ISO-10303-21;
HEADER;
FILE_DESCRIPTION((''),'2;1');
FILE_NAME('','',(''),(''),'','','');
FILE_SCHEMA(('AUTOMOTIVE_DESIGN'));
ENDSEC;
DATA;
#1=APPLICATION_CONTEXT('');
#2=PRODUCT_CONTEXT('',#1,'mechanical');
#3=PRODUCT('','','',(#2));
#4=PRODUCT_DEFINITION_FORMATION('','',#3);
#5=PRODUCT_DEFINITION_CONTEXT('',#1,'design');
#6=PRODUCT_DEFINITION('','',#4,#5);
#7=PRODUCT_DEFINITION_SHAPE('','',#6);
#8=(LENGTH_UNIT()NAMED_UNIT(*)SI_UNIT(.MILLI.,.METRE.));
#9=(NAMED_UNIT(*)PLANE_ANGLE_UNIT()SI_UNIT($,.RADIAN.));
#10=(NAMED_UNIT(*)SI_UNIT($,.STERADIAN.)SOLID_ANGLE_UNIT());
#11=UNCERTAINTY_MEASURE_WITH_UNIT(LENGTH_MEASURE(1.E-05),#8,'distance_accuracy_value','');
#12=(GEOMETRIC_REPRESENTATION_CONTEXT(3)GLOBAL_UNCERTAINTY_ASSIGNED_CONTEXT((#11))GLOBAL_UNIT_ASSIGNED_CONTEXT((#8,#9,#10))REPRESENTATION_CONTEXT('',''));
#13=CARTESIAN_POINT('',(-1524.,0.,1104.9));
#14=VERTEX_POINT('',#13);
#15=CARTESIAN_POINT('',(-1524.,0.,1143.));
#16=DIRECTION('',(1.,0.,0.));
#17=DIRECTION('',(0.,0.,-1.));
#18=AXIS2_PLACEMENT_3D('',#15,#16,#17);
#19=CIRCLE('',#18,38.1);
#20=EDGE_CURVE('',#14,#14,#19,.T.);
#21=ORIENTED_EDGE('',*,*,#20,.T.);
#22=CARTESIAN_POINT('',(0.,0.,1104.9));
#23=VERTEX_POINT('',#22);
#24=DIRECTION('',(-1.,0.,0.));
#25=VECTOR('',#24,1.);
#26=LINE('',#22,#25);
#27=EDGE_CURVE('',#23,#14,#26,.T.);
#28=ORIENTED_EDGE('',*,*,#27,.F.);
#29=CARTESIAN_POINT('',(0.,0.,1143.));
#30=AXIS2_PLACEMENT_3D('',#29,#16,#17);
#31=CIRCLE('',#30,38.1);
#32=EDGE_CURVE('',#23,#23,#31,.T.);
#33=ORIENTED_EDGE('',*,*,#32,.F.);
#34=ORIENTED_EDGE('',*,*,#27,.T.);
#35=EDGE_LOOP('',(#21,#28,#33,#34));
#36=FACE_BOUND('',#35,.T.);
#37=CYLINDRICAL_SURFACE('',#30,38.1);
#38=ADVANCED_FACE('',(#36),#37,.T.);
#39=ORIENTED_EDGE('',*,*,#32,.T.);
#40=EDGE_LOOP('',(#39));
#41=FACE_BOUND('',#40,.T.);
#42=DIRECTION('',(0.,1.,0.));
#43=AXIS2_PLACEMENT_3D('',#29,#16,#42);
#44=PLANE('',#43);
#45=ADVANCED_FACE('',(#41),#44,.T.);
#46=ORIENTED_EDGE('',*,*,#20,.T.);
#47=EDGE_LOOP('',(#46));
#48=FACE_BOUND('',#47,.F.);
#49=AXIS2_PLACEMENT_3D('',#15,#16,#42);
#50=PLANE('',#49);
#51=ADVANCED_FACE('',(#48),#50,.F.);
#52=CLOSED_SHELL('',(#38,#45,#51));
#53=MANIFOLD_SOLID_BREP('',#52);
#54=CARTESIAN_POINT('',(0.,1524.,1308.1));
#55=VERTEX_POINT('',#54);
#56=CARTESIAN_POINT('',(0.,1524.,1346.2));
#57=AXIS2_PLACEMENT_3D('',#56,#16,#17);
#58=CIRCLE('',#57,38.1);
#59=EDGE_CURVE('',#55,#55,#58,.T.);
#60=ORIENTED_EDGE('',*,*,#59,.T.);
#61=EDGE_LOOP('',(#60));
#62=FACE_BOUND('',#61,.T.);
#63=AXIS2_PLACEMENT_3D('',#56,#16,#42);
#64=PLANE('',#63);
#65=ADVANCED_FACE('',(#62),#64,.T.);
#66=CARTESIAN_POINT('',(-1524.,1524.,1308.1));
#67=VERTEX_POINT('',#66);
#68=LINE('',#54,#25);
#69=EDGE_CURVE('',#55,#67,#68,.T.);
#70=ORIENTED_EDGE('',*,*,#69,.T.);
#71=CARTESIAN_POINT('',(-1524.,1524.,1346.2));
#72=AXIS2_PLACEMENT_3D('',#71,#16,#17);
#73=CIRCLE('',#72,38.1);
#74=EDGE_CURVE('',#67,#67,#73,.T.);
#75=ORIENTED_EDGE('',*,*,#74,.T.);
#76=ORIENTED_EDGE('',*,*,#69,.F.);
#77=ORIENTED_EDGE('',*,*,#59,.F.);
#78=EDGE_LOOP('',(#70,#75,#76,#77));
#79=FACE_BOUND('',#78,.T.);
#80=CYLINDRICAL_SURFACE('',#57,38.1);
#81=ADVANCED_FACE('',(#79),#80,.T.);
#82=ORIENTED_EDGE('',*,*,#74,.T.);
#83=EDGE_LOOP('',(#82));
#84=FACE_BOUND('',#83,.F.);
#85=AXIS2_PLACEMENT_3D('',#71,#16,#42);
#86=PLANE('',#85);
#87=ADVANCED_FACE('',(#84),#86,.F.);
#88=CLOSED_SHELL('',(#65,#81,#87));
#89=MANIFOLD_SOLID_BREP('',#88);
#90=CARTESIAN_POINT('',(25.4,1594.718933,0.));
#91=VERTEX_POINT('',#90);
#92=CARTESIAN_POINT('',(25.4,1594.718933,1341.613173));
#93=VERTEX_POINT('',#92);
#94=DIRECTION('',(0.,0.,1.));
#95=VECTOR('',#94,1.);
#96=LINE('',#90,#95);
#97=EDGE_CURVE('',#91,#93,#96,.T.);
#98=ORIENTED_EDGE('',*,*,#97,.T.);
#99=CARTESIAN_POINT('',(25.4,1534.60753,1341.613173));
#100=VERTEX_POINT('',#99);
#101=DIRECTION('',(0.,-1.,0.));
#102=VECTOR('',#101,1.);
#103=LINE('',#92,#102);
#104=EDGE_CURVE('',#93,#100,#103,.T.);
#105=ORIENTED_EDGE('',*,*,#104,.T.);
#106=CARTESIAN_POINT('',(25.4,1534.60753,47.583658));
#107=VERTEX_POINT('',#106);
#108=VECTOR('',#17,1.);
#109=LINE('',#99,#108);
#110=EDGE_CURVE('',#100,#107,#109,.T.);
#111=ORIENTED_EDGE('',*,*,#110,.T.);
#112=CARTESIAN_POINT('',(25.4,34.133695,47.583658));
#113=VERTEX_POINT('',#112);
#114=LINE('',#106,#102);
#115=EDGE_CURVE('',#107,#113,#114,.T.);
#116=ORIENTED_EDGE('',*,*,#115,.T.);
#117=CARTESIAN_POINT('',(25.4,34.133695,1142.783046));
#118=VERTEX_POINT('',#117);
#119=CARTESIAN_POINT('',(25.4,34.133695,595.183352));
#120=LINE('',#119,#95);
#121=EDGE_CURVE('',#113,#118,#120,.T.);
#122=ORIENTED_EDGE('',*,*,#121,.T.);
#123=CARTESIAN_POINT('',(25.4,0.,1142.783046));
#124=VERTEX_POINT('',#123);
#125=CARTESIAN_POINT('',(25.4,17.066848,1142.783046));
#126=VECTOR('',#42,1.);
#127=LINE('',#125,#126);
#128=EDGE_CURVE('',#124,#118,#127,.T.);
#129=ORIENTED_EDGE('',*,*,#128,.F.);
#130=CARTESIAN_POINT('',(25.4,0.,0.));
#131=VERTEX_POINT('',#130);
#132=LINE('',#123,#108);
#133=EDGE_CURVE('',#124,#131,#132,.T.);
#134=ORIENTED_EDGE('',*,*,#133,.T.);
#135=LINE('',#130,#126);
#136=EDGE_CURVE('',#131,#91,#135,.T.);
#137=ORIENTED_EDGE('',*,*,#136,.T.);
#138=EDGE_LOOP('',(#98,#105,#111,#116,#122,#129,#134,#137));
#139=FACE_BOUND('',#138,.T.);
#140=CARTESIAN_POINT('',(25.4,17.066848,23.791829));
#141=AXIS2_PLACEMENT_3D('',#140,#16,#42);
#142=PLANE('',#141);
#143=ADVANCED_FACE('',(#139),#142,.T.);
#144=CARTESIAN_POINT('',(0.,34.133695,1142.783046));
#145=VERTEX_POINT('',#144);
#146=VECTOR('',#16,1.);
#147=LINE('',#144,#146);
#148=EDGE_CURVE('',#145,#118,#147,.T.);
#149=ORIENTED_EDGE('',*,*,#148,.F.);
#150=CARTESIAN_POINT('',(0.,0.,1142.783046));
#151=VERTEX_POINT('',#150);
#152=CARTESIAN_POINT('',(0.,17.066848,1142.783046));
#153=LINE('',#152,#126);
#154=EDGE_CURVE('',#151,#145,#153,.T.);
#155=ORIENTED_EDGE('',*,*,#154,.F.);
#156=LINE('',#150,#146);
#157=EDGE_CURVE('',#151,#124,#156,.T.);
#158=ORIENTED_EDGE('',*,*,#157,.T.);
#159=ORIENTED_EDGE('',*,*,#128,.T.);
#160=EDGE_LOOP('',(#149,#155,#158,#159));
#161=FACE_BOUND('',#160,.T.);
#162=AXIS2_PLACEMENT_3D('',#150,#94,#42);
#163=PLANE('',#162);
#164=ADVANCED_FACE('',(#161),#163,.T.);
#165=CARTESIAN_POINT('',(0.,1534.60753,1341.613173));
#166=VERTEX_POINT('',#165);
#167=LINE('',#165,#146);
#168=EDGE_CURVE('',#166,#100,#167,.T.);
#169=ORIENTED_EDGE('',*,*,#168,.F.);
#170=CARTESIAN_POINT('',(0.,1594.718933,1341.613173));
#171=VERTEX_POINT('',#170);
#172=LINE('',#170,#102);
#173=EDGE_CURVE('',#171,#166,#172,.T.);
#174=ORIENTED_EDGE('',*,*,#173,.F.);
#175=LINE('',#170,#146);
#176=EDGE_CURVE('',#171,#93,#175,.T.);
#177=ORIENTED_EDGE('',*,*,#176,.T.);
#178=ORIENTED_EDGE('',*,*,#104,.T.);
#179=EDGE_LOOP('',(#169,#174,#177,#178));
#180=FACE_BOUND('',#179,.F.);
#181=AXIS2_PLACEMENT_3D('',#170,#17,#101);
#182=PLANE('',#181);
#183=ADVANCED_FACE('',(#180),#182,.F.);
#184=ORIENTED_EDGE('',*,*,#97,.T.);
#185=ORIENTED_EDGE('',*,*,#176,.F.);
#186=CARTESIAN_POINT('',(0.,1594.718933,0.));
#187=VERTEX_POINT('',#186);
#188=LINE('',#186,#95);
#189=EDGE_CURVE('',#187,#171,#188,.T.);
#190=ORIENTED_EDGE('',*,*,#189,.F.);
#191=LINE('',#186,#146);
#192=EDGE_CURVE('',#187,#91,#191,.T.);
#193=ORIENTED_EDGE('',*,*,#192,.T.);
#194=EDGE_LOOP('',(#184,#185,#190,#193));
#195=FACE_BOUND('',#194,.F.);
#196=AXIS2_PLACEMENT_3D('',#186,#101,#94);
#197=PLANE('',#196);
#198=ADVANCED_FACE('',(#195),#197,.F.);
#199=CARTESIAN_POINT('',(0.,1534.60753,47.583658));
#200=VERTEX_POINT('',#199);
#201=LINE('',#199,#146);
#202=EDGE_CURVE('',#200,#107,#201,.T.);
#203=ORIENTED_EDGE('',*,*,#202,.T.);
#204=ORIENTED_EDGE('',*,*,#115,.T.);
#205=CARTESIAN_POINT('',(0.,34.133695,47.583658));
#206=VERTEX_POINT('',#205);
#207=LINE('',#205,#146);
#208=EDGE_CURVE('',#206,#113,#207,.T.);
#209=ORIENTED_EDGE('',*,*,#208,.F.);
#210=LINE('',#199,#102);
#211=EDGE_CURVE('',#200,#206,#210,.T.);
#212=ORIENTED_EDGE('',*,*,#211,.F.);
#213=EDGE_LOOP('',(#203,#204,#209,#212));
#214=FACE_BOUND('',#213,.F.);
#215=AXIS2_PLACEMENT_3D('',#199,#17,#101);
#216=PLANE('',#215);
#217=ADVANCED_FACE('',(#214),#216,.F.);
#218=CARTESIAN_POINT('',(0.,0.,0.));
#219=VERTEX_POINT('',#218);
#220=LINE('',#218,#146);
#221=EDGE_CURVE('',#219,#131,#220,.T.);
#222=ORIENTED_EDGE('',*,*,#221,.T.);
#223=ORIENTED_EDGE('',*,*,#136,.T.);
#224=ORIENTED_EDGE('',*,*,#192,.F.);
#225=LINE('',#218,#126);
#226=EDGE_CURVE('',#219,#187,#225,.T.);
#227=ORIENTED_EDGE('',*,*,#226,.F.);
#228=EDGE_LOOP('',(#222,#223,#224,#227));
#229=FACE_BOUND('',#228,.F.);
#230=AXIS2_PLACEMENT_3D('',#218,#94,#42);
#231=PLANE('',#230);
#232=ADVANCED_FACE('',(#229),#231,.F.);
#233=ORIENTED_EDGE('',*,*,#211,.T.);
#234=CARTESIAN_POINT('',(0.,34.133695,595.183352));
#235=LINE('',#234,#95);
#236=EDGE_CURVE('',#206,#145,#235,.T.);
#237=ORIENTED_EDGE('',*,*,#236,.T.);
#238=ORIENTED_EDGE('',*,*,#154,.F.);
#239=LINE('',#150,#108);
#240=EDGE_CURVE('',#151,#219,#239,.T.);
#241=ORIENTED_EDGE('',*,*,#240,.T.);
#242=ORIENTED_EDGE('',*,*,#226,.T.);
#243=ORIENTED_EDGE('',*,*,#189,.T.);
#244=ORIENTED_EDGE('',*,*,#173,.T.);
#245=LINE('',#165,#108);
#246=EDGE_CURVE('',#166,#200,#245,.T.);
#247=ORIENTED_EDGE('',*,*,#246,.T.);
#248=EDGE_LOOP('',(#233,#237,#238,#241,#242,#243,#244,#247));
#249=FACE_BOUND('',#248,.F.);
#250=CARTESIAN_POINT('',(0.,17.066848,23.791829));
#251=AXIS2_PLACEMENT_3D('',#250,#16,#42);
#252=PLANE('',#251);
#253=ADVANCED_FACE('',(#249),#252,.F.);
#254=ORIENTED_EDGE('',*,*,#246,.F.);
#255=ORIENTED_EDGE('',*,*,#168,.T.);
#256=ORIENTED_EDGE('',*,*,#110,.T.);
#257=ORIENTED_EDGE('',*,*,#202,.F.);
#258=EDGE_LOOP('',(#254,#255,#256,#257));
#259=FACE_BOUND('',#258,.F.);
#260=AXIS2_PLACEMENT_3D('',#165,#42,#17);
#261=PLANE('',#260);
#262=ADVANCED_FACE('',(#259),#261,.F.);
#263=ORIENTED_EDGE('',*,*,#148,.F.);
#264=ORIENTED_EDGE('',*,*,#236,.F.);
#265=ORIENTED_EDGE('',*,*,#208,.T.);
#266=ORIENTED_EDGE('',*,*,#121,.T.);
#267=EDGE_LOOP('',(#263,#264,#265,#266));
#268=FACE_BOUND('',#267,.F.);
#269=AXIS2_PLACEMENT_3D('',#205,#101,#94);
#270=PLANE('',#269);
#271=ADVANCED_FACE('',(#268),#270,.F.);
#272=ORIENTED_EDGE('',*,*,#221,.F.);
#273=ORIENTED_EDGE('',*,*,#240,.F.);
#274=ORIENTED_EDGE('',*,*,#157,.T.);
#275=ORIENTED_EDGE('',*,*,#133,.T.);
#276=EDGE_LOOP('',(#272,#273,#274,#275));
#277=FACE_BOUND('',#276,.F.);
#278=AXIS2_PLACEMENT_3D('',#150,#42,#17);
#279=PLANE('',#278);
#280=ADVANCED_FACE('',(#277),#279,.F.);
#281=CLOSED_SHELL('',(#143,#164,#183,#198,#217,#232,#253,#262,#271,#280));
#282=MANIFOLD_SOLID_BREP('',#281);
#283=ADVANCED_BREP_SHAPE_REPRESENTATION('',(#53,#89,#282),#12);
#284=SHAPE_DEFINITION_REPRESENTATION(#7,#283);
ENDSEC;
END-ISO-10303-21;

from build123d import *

# Parameters (mm, degrees)
F1_DEPTH = 1524
F2_W     = 34.133695066
F2_H     = 47.5836582482
F2_W_2   = 1500.4738345742
F2_H_2   = 1095.1993875206
F3_DEPTH = 25.4


with BuildPart() as f1:
    # F0 (on Right) → F1 (new body)
    with BuildSketch(Plane.YZ):
        with BuildLine():
            ThreePointArc((38.1, 1143), (-26.9407683632, 1169.9407683632), (0, 1104.9))
            ThreePointArc((0, 1104.9), (26.9407683632, 1116.0592316368), (38.1, 1143))
        make_face()
    extrude(amount=-F1_DEPTH)


with BuildPart() as f1b:
    # F0 (on Right) → F1, piece 2 (new body)
    with BuildSketch(Plane.YZ):
        with BuildLine():
            ThreePointArc((1562.1, 1346.2), (1497.0592316368, 1373.1407683632), (1524, 1308.1))
            ThreePointArc((1524, 1308.1), (1550.9407683632, 1319.2592316368), (1562.1, 1346.2))
        make_face()
    extrude(amount=-F1_DEPTH)


with BuildPart() as f3:
    # F2 (on Right) → F3 (new body)
    with BuildSketch(Plane.YZ):
        with Locations((17.066847533, 23.7918291241)):
            Rectangle(F2_W, F2_H)
        Polygon((1534.6075296402, 1341.6131734848), (1534.6075296402, 47.5836582482), (1534.6075296402, 0), (1594.7189331055, 0), (1594.7189331055, 1341.6131734848), align=None)
        with Locations((784.3706123531, 23.7918291241)):
            Rectangle(F2_W_2, F2_H)
        with Locations((17.066847533, 595.1833520085)):
            Rectangle(F2_W, F2_H_2)
    extrude(amount=F3_DEPTH)


solid = Compound([f1.part, f1b.part, f3.part])
